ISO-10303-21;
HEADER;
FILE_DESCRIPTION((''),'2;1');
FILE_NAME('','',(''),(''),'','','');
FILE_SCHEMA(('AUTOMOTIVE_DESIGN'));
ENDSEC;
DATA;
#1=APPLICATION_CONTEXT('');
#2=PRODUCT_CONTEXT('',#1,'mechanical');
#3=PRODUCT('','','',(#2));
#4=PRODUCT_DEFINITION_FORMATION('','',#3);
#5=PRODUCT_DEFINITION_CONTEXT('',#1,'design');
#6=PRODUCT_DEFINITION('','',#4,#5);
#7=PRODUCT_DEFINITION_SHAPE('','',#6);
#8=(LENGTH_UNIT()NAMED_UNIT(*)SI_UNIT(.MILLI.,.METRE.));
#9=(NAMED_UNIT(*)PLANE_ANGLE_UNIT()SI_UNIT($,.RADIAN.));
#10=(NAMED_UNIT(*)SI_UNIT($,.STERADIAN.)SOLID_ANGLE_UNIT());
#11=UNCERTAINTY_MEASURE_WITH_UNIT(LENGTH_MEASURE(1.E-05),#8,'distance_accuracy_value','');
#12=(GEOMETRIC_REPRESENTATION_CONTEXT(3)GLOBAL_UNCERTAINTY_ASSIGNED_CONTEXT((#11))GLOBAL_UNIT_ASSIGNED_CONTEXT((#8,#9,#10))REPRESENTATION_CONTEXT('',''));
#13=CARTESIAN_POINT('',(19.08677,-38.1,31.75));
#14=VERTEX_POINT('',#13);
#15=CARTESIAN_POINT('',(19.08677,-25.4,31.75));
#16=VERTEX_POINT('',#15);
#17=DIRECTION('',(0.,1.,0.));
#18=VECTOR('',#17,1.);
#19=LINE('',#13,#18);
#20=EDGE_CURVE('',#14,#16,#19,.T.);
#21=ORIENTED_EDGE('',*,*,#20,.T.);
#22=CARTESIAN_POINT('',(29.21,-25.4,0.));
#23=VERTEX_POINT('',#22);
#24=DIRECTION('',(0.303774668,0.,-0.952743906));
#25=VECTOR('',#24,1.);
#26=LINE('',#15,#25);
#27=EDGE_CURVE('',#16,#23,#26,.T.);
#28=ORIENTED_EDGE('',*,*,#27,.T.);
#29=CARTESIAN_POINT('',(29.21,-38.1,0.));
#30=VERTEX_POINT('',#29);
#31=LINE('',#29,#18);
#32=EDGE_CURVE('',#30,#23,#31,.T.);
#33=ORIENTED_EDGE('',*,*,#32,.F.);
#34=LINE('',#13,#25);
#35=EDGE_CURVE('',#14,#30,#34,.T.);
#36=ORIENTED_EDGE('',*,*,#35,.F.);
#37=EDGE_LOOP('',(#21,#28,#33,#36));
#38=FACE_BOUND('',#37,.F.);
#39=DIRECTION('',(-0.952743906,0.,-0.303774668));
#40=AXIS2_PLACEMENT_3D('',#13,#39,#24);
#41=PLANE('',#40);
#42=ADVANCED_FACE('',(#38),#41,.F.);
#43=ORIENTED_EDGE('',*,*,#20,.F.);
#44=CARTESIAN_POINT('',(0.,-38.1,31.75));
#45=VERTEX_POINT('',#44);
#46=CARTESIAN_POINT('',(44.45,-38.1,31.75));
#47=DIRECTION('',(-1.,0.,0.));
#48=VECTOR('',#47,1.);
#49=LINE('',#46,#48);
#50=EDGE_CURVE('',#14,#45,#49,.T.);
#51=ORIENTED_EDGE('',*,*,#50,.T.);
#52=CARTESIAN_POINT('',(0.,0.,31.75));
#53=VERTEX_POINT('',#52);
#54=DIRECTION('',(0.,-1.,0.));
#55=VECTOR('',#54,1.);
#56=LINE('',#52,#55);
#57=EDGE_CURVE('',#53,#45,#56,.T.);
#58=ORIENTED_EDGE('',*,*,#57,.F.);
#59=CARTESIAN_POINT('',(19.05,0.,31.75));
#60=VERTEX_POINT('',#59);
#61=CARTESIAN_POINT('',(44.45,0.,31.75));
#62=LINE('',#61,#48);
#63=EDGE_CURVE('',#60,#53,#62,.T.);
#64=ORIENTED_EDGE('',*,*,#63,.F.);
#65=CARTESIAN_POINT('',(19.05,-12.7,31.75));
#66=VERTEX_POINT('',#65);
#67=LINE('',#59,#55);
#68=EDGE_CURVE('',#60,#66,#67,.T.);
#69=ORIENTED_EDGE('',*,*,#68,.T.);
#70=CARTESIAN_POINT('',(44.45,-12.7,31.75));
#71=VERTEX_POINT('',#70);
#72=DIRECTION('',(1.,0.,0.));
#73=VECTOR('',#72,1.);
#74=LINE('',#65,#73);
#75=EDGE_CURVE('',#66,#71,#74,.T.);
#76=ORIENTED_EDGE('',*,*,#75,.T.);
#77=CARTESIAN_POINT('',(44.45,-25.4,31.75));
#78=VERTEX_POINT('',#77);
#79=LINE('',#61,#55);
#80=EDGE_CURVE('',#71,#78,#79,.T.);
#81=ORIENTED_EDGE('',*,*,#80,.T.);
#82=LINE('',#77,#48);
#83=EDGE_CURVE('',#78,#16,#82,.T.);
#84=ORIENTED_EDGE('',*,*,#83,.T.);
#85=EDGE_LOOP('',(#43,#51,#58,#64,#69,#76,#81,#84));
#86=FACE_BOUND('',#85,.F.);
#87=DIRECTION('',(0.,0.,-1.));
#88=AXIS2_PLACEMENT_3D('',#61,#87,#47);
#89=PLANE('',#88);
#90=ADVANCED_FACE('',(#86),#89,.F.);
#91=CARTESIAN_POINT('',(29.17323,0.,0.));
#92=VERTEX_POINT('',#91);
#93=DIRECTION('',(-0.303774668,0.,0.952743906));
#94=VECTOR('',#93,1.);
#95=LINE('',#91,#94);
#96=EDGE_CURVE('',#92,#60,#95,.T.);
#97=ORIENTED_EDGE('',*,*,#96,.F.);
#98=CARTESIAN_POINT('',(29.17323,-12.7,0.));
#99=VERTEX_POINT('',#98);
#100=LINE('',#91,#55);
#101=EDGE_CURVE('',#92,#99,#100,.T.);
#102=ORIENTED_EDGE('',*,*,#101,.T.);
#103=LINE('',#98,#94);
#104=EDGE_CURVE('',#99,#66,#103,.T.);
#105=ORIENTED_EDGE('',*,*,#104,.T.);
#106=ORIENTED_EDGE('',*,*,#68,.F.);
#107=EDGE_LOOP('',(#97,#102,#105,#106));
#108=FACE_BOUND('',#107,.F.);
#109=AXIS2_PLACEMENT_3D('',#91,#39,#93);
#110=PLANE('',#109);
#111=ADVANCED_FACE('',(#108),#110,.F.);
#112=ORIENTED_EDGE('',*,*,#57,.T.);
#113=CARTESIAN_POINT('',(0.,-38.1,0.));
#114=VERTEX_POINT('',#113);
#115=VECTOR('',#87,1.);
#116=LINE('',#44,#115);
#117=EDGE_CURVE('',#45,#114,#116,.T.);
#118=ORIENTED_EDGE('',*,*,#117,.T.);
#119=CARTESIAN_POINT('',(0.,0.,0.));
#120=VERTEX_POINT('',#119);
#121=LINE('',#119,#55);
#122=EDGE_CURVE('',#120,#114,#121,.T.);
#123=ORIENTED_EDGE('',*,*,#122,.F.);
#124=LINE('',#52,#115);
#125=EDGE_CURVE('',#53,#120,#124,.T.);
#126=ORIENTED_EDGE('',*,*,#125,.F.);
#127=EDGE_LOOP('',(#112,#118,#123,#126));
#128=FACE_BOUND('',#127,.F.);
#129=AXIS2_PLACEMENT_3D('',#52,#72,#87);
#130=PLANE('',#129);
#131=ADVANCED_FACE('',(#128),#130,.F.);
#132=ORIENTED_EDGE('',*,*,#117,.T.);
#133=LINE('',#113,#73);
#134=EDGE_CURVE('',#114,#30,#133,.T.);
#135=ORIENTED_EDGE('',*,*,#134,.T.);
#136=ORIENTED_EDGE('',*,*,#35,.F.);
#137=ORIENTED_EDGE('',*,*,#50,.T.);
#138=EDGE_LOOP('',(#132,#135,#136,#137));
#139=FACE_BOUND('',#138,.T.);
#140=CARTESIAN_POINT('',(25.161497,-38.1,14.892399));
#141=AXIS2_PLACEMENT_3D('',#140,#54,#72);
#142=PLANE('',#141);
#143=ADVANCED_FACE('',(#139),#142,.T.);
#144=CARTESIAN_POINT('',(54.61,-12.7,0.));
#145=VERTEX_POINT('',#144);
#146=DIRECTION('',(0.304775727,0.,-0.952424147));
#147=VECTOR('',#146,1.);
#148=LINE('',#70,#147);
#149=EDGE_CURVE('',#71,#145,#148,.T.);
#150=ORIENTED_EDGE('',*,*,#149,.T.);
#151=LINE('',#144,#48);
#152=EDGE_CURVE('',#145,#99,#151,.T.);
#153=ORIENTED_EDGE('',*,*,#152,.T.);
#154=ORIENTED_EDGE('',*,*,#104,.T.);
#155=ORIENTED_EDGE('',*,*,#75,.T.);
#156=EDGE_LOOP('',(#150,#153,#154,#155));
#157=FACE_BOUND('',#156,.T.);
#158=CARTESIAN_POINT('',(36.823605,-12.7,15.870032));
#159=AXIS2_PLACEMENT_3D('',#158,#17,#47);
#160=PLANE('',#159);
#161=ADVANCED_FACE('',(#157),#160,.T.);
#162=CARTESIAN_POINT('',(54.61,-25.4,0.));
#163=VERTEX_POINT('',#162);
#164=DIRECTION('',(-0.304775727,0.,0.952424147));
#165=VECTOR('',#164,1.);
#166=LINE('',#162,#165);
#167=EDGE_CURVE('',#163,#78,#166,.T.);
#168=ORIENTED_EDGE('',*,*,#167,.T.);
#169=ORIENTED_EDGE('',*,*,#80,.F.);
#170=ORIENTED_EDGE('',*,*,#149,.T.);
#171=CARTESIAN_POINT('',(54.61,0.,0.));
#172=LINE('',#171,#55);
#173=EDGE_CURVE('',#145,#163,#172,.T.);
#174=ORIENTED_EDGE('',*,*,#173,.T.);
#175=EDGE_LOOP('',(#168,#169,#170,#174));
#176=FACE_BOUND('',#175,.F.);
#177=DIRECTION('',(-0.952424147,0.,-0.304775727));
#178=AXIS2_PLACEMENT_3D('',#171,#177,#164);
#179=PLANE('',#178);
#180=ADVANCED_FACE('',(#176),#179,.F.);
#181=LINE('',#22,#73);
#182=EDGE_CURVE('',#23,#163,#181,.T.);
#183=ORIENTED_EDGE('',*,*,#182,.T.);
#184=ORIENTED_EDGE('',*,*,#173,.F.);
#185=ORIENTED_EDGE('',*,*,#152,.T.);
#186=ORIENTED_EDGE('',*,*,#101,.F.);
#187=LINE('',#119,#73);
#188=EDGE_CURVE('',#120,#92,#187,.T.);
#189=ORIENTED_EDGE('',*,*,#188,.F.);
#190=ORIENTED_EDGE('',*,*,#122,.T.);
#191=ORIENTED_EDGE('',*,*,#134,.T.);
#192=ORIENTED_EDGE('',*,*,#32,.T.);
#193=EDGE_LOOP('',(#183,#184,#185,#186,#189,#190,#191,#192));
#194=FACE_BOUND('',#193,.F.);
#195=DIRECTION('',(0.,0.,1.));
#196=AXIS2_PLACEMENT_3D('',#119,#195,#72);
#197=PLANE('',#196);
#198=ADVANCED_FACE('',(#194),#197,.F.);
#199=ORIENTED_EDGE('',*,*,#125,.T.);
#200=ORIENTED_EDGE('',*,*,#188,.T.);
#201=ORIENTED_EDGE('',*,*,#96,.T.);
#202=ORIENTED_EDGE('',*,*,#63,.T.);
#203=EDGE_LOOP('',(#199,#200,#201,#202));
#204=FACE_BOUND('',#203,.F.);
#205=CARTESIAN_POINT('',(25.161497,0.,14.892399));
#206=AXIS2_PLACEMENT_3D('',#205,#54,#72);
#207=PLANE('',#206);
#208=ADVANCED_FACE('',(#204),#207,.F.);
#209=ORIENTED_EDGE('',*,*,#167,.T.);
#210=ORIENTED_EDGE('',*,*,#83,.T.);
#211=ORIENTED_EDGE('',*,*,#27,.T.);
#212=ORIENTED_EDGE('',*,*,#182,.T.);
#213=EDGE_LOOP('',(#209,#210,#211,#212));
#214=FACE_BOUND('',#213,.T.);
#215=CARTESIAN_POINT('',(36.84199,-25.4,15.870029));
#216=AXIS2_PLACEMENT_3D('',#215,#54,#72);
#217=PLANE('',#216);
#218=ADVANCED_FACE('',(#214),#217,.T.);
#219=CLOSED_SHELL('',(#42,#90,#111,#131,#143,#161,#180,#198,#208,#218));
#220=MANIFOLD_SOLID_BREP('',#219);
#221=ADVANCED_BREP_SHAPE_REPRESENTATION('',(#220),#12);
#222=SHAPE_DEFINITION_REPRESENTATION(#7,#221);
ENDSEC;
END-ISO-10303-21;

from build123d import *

# Parameters (mm, degrees)
F1_DEPTH = 38.1
F3_DEPTH = 12.7
F4_DEPTH = 12.7
F6_DEPTH = 12.7


with BuildPart() as f1:
    # F0 (on Front) → F1 (new body)
    with BuildSketch(Plane.XZ):
        Polygon((0, 31.75), (0, 0), (54.61, 0), (44.45, 31.75), align=None)
    extrude(amount=F1_DEPTH)

    # F2 (on face) → F3 (cut)
    with BuildSketch(Plane(origin=(0, 0, 0), x_dir=(-1, 0, 0), z_dir=(0, 1, 0))):
        Polygon((44.420516, 31.673804), (19.705663, 31.673804), (28.255075, -0.054016), (54.679817, -0.054016), align=None)
        Polygon((-44.45, 31.75), (-54.61, 0), (-29.17323, 0), (-19.05, 31.75), align=None)
    extrude(amount=-F3_DEPTH, mode=Mode.SUBTRACT)

    # F2 (on face) → F4 (cut)
    with BuildSketch(Plane(origin=(0, 0, 0), x_dir=(-1, 0, 0), z_dir=(0, 1, 0))):
        Polygon((44.420516, 31.673804), (19.705663, 31.673804), (28.255075, -0.054016), (54.679817, -0.054016), align=None)
        Polygon((-44.45, 31.75), (-54.61, 0), (-29.17323, 0), (-19.05, 31.75), align=None)
    extrude(amount=-F4_DEPTH, mode=Mode.SUBTRACT)

    # F5 (on face) → F6 (cut)
    with BuildSketch(Plane.XZ.offset(38.1)):
        Polygon((29.21, 0), (54.61, 0), (44.45, 31.75), (19.08677, 31.75), align=None)
    extrude(amount=-F6_DEPTH, mode=Mode.SUBTRACT)


solid = f1.part
